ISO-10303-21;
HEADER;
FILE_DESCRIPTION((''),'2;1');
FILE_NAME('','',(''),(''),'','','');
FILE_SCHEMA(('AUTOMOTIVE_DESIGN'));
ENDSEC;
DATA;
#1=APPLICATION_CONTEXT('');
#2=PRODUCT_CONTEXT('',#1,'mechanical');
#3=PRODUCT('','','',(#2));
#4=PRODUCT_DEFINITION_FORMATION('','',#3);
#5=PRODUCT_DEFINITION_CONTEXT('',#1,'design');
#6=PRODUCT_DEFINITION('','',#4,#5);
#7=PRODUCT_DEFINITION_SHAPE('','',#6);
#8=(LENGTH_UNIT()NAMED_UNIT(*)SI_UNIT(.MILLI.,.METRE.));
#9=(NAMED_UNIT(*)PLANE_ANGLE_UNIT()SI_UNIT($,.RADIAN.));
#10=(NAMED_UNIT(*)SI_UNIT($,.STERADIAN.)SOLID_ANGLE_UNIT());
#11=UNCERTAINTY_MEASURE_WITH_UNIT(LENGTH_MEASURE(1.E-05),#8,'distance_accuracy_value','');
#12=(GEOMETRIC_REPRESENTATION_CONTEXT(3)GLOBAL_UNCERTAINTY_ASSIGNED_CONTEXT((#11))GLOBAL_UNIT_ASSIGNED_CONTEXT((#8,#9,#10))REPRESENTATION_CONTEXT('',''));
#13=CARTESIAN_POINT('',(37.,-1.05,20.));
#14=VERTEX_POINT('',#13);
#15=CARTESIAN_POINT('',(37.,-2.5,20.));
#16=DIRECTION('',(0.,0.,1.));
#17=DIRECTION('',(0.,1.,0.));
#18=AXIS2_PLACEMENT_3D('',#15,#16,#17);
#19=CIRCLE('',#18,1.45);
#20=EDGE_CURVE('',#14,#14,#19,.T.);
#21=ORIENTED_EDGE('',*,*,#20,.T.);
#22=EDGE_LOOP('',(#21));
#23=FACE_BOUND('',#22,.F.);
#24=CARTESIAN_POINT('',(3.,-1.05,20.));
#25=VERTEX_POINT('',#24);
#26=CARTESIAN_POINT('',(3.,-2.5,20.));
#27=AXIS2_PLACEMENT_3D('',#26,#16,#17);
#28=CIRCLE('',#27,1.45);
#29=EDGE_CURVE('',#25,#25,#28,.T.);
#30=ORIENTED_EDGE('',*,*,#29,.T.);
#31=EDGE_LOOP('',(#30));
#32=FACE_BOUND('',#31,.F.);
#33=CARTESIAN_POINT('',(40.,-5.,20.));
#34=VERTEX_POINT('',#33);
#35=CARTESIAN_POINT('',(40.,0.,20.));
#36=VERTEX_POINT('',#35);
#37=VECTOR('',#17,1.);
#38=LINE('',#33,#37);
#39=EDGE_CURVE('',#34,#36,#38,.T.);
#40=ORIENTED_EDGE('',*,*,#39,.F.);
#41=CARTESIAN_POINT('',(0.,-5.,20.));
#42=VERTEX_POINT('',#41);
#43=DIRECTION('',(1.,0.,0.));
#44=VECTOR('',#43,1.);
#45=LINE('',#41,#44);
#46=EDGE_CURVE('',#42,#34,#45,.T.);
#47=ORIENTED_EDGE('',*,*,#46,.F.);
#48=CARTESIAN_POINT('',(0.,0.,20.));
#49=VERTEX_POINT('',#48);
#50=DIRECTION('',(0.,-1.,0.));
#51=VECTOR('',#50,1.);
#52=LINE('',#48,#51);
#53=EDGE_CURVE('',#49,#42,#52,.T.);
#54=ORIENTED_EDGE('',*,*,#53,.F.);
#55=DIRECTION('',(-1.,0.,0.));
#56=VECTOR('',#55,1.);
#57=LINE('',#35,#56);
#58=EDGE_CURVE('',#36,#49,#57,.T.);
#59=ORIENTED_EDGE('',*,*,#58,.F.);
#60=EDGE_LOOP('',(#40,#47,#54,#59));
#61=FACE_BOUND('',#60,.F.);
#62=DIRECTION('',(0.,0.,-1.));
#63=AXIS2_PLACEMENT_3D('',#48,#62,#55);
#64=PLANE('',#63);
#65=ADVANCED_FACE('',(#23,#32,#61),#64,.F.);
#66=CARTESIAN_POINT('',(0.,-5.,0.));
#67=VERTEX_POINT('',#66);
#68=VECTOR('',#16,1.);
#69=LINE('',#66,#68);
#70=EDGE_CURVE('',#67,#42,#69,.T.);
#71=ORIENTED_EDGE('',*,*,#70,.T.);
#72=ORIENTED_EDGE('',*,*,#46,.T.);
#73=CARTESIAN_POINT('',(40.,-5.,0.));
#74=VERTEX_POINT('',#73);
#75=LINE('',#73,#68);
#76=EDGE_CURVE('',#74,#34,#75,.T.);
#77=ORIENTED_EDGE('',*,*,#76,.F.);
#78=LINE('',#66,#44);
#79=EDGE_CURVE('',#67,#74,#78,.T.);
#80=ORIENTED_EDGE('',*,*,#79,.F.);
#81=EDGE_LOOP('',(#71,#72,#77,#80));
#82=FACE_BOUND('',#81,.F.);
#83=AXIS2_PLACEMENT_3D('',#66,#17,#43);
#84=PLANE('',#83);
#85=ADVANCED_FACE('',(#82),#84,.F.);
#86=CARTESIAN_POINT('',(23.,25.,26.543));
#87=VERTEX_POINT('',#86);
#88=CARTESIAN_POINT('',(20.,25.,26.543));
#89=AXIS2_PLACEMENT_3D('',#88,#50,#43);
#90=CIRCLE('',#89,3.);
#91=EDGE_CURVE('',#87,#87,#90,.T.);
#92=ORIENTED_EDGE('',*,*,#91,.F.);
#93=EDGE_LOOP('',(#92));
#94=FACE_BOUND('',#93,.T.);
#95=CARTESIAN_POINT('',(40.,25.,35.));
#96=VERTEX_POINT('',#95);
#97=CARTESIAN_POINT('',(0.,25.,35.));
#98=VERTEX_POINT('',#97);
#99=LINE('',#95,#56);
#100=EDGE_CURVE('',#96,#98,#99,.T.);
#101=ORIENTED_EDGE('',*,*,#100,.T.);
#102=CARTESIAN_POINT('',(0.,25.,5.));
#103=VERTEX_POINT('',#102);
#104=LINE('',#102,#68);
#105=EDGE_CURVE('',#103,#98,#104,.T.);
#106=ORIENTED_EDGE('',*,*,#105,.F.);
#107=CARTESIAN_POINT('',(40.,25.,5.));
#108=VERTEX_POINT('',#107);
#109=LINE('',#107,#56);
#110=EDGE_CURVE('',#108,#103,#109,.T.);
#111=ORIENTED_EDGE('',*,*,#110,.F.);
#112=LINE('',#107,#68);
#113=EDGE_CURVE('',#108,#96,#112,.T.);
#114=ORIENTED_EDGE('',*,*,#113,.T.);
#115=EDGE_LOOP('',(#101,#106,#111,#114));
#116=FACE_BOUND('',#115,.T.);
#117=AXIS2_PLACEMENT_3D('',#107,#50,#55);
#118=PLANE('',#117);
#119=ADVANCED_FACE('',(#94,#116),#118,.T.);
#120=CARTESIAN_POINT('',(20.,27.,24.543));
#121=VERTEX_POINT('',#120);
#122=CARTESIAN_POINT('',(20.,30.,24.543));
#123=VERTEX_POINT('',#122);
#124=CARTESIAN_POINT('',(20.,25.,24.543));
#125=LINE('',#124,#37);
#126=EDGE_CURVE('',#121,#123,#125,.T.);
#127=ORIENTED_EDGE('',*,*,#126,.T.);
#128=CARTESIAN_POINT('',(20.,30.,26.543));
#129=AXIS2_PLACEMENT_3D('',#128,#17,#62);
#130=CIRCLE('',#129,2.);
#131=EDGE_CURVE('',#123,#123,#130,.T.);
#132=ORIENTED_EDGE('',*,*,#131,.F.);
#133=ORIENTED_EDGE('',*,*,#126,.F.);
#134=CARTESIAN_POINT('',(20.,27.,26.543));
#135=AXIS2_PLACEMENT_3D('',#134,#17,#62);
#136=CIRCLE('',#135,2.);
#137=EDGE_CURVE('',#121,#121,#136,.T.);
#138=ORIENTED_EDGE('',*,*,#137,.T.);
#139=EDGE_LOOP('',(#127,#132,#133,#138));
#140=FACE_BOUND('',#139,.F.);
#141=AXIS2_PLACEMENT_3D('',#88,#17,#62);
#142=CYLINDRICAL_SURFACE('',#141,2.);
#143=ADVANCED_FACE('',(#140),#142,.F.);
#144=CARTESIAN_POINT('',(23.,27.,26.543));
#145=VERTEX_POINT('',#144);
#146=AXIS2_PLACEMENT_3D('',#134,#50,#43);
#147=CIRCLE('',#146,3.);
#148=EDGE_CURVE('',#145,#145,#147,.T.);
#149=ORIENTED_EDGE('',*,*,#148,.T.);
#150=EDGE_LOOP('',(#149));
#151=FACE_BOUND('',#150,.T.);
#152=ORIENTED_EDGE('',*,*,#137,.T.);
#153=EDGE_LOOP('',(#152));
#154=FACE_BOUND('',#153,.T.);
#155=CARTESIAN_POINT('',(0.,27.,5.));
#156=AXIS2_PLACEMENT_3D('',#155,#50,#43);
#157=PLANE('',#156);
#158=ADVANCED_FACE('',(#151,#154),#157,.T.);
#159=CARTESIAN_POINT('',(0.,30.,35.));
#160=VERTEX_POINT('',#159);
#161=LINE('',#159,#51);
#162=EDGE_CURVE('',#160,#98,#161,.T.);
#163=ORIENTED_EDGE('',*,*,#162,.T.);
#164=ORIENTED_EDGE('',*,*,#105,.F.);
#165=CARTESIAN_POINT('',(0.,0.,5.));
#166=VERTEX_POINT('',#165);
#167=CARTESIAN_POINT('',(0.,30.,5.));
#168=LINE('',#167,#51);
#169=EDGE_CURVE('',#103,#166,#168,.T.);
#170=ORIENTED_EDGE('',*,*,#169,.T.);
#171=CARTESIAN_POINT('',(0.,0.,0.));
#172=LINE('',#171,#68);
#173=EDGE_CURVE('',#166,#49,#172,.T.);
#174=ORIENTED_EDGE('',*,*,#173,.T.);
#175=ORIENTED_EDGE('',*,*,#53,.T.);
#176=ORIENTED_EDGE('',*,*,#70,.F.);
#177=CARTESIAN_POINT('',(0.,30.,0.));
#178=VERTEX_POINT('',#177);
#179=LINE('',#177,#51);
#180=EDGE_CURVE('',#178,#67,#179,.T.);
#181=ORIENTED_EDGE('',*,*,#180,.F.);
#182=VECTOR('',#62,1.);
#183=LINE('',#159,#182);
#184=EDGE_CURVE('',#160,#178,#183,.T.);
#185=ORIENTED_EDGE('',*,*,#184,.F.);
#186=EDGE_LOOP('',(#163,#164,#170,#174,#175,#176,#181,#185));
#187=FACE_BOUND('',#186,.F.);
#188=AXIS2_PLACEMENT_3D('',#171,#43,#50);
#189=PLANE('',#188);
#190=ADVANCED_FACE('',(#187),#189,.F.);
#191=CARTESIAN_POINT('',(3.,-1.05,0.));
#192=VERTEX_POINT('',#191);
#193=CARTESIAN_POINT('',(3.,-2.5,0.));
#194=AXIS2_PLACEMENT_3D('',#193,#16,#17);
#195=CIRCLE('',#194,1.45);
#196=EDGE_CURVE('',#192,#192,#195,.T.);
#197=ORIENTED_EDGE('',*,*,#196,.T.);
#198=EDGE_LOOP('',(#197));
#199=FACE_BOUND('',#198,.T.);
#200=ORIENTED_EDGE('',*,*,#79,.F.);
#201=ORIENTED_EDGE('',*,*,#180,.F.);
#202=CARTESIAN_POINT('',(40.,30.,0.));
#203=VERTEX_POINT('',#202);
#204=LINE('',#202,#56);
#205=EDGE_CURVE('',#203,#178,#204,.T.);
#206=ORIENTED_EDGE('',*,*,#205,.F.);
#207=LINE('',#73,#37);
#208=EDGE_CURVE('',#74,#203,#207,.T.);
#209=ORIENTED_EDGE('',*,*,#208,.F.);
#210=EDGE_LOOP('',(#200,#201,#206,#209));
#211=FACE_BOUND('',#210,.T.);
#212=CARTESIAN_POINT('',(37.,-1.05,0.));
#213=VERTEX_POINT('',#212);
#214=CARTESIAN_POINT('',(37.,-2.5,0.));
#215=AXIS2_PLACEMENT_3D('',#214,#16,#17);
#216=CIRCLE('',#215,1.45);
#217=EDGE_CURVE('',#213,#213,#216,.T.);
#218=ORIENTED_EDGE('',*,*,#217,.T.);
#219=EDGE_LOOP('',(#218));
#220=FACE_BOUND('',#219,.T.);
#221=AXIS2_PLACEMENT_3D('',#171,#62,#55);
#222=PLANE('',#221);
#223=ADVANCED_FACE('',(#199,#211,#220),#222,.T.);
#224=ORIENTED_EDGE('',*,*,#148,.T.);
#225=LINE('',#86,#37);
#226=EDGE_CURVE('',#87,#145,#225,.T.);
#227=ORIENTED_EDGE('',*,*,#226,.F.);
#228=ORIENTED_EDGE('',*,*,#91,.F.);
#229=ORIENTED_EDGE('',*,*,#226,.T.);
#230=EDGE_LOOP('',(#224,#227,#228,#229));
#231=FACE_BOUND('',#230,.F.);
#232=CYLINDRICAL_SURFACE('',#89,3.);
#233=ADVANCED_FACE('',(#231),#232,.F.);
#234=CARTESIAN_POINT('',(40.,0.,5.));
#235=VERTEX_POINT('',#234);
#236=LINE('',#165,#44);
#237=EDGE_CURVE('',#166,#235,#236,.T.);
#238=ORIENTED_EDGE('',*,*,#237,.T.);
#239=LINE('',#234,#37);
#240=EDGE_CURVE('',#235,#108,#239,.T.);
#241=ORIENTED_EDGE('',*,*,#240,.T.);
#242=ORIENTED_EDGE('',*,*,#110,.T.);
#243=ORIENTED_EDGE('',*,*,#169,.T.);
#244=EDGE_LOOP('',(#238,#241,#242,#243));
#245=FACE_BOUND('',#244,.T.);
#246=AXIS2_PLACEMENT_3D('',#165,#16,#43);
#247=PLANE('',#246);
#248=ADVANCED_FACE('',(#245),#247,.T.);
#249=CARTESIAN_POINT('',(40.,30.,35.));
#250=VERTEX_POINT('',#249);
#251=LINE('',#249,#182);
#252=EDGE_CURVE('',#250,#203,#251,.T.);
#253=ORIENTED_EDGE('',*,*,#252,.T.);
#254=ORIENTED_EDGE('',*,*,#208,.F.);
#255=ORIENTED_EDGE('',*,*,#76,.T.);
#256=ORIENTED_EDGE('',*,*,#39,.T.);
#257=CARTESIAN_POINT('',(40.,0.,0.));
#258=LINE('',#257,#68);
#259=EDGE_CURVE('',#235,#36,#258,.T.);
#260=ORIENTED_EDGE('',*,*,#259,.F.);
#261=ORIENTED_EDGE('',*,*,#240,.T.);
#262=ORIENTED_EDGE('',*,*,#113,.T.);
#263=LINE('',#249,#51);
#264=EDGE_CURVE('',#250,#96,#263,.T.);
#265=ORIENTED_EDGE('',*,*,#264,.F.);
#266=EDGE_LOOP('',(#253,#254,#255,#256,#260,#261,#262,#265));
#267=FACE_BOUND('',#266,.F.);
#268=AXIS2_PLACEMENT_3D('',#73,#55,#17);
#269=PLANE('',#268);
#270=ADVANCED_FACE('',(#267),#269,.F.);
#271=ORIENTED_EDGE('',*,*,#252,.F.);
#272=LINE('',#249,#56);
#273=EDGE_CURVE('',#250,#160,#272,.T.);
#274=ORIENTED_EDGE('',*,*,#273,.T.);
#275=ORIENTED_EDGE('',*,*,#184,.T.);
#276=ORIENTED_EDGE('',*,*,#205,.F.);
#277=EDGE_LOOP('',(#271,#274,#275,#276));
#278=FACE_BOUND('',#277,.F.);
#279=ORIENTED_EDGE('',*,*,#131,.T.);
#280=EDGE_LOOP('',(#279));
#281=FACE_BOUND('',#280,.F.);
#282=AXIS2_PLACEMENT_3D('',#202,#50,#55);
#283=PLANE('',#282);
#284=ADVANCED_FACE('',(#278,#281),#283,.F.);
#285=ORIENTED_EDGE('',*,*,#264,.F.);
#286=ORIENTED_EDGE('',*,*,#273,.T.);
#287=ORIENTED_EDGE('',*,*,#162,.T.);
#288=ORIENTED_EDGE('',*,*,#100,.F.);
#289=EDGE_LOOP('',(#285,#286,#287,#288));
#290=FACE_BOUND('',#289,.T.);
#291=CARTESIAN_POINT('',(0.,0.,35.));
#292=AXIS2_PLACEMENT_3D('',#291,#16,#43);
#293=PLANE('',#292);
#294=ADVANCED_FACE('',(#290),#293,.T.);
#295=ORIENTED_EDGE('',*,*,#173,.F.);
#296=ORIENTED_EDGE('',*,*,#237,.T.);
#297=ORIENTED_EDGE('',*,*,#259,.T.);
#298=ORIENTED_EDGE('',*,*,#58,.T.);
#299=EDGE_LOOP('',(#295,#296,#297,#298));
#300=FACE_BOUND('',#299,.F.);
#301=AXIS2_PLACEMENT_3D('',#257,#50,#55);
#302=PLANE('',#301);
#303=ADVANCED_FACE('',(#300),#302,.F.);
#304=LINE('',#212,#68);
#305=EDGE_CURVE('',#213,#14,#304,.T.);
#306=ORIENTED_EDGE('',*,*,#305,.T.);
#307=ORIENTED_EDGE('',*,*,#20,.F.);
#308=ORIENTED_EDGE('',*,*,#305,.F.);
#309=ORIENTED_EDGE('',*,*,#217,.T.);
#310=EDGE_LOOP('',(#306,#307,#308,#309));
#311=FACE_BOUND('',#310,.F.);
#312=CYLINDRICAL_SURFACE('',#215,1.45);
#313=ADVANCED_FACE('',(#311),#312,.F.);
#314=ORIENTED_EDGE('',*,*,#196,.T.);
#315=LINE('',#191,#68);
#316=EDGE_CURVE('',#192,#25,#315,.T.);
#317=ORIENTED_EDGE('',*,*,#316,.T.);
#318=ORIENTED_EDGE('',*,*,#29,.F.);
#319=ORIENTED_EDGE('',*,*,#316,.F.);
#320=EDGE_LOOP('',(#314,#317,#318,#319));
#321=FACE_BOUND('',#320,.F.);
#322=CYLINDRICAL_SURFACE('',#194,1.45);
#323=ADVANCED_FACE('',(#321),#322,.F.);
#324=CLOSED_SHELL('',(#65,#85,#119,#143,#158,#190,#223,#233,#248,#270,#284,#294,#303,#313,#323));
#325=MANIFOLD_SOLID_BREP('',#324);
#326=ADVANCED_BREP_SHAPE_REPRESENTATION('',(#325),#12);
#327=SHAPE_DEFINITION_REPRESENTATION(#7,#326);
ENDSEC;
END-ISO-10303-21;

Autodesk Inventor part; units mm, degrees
ref_plane "YZ Plane" through (0, 0, 0) normal (1, 0, 0) x (0, 1, 0)
ref_plane "XZ Plane" through (0, 0, 0) normal (0, 1, 0) x (-1, 0, 0)
ref_plane "XY Plane" through (0, 0, 0) normal (0, 0, 1) x (1, 0, 0)
sketch "Szkic1" plane through (0, 0, 0) normal (0, 0, 1) x (1, 0, 0)
  line L0 (0, 0) -> (40, 0)
  line L1 (40, 0) -> (40, 30)
  line L2 (40, 30) -> (0, 30)
  line L3 (0, 30) -> (0, 0)
  dimension "d0" = 40
  dimension "d1" = 30
extrude "Wyciągnięcie proste1" add sketch "Szkic1" along normal blind 5
sketch "Szkic2" plane through (0, 0, 5) normal (0, 0, 1) x (1, 0, 0)
  line L0 (40, 30) -> (0, 30) projected
  line L1 (0, 30) -> (40, 30)
  line L2 (40, 30) -> (40, 25)
  line L3 (40, 25) -> (0, 25)
  line L4 (0, 30) -> (0, 0) projected
  dimension "d4" = 5
extrude "Wyciągnięcie proste2" add sketch "Szkic2" along normal blind 30
sketch "Szkic5" plane through (0, 0, 0) normal (0, 0, -1) x (-1, 0, 0)
  line L0 (-40, 0) -> (-40, 25) projected
  line L1 (-40, 0) -> (0, 0)
  line L2 (0, 0) -> (0, -5)
  line L3 (0, -5) -> (-40, -5)
  line L4 (-40, -5) -> (-40, 0)
  dimension "d7" = 5
extrude "Wyciągnięcie proste3" add sketch "Szkic5" against normal blind 20
sketch "Szkic6" plane through (0, 25, 5) normal (0, -1, 0) x (1, 0, 0)
  point P0 (0, -5)
  point P1 (20, 21.543)
hole "Otwór1" at (20, 25, 26.543) direction (0, 1, 0) diameter 4 end through all clearance for "Śruba ze łbem płaskim obrobiona" size "M4" standard "ANSI Profil metryczny M"
sketch "Szkic7" plane through (0, 25, 5) normal (0, -1, 0) x (1, 0, 0)
  circle A0 centre (20, 21.543) radius 2 projected
  circle A1 centre (20, 21.543) radius 3
  point P0 (0, -5)
  dimension "d17" = 6
extrude "Wyciągnięcie proste4" cut sketch "Szkic7" against normal blind 2 contours A0 | A1
sketch "Szkic8" plane through (0, 0, 0) normal (0, 0, -1) x (-1, 0, 0)
  line L0 (-40, -5) -> (-40, 30) projected
  line L1 (0, 30) -> (0, -5) projected
  point P0 (0, 0)
  point P1 (-37, -2.5)
  point P2 (-3, -2.5)
  dimension "d20" = 3
  dimension "d21" = 3
hole "Otwór2" at (37, -2.5, 0) at (3, -2.5, 0) direction (0, 0, 1) diameter 2.9 end through all clearance for "Śruba ze łbem płaskim obrobiona" size "M2.5" standard "ANSI Profil metryczny M"
equation "\"d21\" = d20"
properties part number "zacisk"
